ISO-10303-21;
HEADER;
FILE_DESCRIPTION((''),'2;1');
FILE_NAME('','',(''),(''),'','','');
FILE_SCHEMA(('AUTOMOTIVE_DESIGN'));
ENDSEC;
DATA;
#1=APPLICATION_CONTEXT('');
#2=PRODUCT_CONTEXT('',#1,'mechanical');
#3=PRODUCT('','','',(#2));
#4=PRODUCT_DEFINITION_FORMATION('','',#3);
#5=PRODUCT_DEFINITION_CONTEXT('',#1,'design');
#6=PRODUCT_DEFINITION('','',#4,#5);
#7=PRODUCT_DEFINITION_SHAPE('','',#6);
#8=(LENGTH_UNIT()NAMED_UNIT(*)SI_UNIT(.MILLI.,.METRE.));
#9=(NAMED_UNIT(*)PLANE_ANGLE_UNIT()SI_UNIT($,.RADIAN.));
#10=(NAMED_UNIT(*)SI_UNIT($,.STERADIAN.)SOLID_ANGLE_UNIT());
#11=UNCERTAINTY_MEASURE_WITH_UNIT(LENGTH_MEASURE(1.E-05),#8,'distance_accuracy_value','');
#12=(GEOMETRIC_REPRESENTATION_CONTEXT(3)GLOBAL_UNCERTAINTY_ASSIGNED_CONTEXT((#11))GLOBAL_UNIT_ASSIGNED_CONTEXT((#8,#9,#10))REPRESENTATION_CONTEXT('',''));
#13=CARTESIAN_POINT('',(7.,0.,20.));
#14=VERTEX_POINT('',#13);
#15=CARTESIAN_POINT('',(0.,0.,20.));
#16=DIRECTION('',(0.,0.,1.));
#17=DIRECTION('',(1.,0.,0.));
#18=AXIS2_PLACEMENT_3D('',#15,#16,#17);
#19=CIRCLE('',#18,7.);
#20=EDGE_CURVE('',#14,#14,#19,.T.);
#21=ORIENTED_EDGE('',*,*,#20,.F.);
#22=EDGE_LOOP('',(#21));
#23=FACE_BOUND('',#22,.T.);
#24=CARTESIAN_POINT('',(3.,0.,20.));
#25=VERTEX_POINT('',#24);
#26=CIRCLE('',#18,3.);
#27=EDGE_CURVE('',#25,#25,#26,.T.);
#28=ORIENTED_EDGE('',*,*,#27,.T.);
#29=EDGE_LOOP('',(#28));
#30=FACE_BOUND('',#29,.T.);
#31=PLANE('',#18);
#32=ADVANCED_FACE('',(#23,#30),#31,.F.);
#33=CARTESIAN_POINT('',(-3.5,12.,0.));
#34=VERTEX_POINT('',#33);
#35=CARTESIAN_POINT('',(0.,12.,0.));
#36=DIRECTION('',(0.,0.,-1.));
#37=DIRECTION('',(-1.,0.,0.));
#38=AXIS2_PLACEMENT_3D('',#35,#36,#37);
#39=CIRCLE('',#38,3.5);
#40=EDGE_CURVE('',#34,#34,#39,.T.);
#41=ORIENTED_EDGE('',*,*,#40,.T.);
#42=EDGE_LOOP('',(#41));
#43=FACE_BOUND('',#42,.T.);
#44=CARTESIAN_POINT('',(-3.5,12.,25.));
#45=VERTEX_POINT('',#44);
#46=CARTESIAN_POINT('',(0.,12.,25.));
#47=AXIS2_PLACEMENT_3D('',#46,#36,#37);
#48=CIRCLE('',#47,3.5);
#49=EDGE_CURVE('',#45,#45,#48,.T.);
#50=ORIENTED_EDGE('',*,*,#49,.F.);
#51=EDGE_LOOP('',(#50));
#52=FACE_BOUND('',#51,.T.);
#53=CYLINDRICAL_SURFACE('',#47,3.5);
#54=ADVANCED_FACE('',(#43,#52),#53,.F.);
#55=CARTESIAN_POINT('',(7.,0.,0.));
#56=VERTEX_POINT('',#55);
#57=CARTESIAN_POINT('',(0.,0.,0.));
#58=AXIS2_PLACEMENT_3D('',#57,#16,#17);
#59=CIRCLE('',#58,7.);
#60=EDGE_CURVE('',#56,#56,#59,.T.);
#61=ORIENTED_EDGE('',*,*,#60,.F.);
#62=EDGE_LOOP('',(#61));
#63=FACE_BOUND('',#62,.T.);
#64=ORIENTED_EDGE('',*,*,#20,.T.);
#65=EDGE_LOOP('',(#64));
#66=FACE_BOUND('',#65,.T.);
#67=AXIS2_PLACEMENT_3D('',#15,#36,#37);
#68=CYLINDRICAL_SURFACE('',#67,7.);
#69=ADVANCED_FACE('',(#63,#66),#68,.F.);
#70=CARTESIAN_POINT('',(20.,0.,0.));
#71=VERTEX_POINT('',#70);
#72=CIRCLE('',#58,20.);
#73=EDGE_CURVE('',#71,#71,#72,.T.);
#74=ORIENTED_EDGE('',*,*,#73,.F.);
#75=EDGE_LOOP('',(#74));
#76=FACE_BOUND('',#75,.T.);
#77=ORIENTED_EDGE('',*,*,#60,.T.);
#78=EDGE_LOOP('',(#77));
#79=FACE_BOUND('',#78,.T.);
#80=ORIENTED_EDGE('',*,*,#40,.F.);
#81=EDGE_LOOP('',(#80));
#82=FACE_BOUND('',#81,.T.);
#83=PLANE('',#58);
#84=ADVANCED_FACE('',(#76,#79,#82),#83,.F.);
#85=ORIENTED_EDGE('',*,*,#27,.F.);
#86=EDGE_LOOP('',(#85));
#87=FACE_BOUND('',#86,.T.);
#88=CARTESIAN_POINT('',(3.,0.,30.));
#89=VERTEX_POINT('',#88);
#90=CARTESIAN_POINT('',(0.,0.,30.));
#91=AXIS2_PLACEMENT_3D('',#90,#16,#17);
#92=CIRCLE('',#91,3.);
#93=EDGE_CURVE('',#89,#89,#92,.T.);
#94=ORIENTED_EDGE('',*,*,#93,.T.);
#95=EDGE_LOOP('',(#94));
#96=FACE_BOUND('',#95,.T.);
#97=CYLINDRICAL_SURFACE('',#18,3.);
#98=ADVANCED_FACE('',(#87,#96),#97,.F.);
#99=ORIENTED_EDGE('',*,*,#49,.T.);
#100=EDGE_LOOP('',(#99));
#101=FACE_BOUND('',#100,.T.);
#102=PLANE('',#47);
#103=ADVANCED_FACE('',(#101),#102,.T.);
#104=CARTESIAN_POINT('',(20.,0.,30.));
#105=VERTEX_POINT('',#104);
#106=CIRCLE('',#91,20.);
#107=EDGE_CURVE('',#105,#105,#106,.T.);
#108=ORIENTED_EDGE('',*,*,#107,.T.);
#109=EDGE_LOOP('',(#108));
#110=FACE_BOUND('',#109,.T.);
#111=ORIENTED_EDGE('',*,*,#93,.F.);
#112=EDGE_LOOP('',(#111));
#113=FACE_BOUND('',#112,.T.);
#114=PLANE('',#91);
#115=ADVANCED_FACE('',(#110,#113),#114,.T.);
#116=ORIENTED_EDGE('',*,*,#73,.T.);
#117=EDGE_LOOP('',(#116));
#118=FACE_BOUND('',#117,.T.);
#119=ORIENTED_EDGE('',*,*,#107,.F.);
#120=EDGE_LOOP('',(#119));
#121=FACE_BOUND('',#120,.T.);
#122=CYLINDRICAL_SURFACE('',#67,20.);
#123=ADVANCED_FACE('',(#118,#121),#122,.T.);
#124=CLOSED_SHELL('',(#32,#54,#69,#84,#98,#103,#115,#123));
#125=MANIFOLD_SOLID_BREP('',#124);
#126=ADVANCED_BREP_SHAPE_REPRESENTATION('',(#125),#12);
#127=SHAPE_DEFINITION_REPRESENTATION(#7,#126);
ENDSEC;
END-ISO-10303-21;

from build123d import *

# Parameters (mm, degrees)
SKETCH_1_R          = 20
SKETCH_1_R_2        = 7
EXTRUDE_1_DEPTH     = 20
SKETCH_2_R          = 20
EXTRUDE_2_DEPTH     = 10
SKETCH_3_R          = 3
CUT_EXTRUDE_1_DEPTH = 10
SKETCH_4_R          = 3.5
CUT_EXTRUDE_2_DEPTH = 25


with BuildPart() as part:
    # 草图1 → 凸台-拉伸1 (new body)
    with BuildSketch(Plane.XY):
        Circle(SKETCH_1_R)
        Circle(SKETCH_1_R_2, mode=Mode.SUBTRACT)
    extrude(amount=EXTRUDE_1_DEPTH)

    # 草图2 → 凸台-拉伸2 (add)
    with BuildSketch(Plane.XY.offset(20)):
        Circle(SKETCH_2_R)
    extrude(amount=EXTRUDE_2_DEPTH)

    # 草图3 → 切除-拉伸1 (cut)
    with BuildSketch(Plane.XY.offset(30)):
        Circle(SKETCH_3_R)
    extrude(amount=-CUT_EXTRUDE_1_DEPTH, mode=Mode.SUBTRACT)

    # 草图4 → 切除-拉伸2 (cut)
    with BuildSketch(Plane(origin=(0, 0, 0), x_dir=(-1, 0, 0), z_dir=(0, 0, -1))):
        with Locations((0, 12)):
            Circle(SKETCH_4_R)
    extrude(amount=-CUT_EXTRUDE_2_DEPTH, mode=Mode.SUBTRACT)


solid = part.part
